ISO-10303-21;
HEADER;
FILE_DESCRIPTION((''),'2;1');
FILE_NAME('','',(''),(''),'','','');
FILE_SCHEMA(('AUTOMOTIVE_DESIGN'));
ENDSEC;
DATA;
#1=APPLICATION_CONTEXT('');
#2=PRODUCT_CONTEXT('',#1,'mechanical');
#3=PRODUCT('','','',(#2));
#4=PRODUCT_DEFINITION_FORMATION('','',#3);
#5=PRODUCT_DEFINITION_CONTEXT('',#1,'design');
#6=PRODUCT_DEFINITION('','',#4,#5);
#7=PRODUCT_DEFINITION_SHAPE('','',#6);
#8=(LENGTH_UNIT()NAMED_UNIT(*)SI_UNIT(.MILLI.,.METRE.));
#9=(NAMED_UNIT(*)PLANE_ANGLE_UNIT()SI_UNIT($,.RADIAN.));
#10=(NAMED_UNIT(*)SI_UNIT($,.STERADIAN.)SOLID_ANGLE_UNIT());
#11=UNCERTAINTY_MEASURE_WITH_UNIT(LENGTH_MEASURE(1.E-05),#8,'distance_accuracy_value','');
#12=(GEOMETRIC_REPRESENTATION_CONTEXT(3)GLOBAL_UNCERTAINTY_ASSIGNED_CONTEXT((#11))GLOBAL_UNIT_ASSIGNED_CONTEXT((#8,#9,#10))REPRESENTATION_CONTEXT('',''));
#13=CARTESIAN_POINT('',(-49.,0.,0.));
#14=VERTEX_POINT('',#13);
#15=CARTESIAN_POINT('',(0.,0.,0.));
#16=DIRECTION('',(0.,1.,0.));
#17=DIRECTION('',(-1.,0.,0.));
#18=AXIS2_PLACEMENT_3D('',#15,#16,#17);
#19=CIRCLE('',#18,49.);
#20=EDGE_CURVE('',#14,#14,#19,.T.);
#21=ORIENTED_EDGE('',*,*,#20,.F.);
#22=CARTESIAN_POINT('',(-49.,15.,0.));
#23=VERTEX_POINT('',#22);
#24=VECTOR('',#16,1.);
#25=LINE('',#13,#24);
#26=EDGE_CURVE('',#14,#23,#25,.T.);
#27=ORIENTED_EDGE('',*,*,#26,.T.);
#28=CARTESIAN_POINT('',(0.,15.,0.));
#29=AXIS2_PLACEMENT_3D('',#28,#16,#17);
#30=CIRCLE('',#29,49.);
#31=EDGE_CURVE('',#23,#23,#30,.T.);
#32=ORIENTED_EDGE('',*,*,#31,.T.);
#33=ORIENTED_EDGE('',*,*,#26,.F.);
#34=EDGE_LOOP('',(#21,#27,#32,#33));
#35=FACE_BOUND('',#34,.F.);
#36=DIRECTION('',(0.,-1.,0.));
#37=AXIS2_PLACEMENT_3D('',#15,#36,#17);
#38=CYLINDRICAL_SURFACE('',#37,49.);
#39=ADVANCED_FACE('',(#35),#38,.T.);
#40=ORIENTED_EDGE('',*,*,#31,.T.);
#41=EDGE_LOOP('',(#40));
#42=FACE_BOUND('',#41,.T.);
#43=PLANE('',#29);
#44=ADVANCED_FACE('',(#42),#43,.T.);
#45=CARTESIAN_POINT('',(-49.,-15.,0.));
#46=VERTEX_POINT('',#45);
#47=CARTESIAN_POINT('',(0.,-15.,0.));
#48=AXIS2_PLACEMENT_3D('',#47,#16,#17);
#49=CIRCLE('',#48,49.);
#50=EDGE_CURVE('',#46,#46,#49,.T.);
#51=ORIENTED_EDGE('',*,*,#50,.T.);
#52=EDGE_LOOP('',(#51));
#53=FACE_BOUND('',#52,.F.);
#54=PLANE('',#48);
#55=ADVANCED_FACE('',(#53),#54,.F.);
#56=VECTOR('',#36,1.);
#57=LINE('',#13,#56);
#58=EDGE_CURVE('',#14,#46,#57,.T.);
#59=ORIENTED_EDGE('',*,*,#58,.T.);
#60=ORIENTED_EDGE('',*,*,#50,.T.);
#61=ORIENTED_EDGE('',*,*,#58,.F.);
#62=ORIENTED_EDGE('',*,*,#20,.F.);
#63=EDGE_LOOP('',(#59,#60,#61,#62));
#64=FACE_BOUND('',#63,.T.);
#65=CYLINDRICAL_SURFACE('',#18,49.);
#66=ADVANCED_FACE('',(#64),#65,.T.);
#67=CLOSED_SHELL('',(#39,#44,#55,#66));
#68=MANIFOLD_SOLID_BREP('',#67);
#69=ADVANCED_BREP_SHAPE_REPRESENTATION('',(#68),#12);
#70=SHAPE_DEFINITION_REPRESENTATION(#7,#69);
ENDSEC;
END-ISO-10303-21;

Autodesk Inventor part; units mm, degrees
ref_plane "YZ Plane" through (0, 0, 0) normal (1, 0, 0) x (0, 1, 0)
ref_plane "XZ Plane" through (0, 0, 0) normal (0, 1, 0) x (-1, 0, 0)
ref_plane "XY Plane" through (0, 0, 0) normal (0, 0, 1) x (1, 0, 0)
sketch "Sketch1" plane through (0, 0, 0) normal (0, 1, 0) x (-1, 0, 0)
  circle A0 centre (0, 0) radius 49
  line L0 (68.6, 0) -> (-68.6, 0) construction
  line L1 (0, -68.6) -> (0, 68.6) construction
  dimension "dia" = 98
extrude "Extrusion1" add sketch "Sketch1" along normal mid plane 30
equation "\"dia\" = stock_x"
equation "\"d1\" = stock_z"
equation "\"stock_z\" = 30"
equation "\"stock_x\" = 98"
properties part number "RoundStock"
